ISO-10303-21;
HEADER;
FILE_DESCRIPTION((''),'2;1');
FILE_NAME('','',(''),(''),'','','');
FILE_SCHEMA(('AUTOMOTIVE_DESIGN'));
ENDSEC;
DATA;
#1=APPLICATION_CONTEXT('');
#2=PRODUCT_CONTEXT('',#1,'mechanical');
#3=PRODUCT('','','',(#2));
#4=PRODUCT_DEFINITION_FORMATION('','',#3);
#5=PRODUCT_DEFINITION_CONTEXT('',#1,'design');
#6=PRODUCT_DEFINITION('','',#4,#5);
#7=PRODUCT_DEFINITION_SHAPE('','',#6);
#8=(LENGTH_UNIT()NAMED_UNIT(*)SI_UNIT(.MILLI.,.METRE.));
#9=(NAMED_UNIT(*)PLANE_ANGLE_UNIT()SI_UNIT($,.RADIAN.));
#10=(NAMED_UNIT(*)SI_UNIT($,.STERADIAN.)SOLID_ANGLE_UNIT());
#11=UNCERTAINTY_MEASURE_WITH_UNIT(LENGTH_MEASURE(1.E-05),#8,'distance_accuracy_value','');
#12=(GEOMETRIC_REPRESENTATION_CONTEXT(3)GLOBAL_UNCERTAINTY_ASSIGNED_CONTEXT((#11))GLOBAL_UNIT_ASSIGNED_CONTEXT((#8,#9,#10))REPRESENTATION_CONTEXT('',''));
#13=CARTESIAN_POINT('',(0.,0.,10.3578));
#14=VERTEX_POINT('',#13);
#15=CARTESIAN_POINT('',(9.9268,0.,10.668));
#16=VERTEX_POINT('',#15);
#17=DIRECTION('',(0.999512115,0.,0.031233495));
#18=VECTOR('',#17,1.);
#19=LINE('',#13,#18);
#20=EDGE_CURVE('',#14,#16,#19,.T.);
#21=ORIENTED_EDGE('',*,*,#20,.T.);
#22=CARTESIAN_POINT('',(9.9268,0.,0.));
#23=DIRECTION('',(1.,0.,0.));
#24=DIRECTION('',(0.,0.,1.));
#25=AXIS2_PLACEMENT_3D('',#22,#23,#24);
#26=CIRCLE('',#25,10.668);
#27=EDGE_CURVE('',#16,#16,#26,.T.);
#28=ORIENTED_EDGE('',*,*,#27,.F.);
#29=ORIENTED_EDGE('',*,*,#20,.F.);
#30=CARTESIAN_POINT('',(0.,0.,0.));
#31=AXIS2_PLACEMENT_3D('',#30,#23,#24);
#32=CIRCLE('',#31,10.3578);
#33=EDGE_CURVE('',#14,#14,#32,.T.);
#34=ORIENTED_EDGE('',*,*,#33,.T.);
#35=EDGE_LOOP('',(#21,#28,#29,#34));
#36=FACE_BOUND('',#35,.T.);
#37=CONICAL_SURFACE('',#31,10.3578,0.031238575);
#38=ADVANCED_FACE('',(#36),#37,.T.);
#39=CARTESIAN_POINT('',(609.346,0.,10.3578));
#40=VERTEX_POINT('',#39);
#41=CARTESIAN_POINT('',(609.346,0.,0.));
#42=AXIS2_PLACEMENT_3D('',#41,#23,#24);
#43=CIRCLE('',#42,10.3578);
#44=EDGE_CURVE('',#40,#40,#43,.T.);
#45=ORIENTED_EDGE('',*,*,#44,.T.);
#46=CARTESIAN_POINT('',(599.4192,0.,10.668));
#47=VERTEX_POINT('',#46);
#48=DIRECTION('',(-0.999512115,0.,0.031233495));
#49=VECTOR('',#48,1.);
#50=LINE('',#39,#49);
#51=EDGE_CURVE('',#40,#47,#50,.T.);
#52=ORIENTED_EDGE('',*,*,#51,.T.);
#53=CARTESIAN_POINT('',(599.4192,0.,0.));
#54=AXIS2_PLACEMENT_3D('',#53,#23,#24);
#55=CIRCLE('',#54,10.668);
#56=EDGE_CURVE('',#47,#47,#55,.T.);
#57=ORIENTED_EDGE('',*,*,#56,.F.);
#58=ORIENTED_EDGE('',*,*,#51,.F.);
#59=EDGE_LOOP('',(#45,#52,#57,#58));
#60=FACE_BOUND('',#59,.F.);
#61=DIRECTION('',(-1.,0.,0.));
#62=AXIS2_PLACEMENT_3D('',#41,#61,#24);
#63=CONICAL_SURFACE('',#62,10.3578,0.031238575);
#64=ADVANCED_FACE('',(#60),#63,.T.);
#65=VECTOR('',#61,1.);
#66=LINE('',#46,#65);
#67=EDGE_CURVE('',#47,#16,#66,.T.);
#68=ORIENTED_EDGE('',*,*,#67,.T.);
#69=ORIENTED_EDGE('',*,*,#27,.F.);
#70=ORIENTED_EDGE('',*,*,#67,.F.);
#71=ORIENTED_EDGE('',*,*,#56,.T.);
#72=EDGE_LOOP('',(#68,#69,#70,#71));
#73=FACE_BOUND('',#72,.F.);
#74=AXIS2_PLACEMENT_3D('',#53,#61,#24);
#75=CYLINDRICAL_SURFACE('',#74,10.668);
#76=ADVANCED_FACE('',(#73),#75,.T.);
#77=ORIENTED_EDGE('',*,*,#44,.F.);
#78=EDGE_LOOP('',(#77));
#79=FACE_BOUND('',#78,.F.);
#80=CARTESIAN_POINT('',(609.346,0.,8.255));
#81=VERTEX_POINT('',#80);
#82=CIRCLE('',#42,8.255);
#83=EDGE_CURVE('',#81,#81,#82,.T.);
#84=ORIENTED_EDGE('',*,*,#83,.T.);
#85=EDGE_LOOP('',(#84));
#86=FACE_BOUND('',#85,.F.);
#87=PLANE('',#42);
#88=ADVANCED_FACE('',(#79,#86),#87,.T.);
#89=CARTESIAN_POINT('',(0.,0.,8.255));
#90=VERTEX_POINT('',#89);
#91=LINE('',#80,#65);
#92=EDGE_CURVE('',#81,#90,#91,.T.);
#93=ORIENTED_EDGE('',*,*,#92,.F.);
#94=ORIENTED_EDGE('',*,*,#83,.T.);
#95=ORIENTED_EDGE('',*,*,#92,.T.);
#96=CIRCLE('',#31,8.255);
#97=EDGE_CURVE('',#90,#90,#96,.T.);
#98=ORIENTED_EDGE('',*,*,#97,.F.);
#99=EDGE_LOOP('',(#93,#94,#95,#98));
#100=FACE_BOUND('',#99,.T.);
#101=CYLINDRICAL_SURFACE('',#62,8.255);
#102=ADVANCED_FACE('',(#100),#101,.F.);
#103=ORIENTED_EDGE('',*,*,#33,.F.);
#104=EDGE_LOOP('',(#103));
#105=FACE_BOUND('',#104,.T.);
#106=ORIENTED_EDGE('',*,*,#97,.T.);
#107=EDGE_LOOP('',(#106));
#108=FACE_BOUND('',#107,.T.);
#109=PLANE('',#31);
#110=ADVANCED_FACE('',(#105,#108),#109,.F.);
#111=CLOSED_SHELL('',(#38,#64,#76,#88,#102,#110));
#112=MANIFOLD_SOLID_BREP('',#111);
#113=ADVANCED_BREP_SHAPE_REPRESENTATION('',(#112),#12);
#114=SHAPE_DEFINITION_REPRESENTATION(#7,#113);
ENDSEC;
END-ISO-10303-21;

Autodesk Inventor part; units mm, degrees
ref_plane "YZ Plane" through (0, 0, 0) normal (1, 0, 0) x (0, 1, 0)
ref_plane "XZ Plane" through (0, 0, 0) normal (0, 1, 0) x (-1, 0, 0)
ref_plane "XY Plane" through (0, 0, 0) normal (0, 0, 1) x (1, 0, 0)
sketch "Sketch1" plane through (0, 0, 0) normal (0, 1, 0) x (-1, 0, 0)
  line L0 (0, 0) -> (-609.346, 0)
  line L1 (-609.346, 0) -> (-609.346, 8.255) construction
  line L2 (-609.346, 8.255) -> (-609.346, 10.3578)
  line L3 (-609.346, 10.3578) -> (-599.4192, 10.668)
  line L4 (-599.4192, 10.668) -> (-9.9268, 10.668)
  line L5 (-304.673, 0) -> (-304.673, 10.668) construction
  line L6 (-609.346, 8.255) -> (0, 8.255)
  line L7 (0, 0) -> (0, 8.255) construction
  line L8 (0, 8.255) -> (0, 10.3578)
  line L9 (0, 10.3578) -> (-9.9268, 10.668)
  line L10 (-595.79, 10.7814) -> (-595.79, 0) construction
  line L11 (-13.556, 10.7814) -> (-13.556, 0) construction
  line L12 (-599.4192, 10.668) -> (-595.79, 10.7814) construction
  line L13 (-599.4192, 10.668) -> (-599.4192, 0) construction
  line L14 (-9.9268, 10.668) -> (-13.556, 10.7814) construction
  line L15 (-9.9268, 10.668) -> (-9.9268, 0) construction
  dimension "d0" = 21.336
  dimension "d1" = 1.79
  dimension "d2" = 16.51
  dimension "d3" = 609.346
  dimension "d4" = 13.556
  dimension "d5" = 21.5628
revolve "Revolution1" add sketch "Sketch1" angle 360 about axis through (0, 0, 0) along (1, 0, 0)
thread "Thread1" size "1/2" designation "1/2 - 14 NPT" standard "NPT" full length
thread "Thread2" size "1/2" designation "1/2 - 14 NPT" standard "NPT" full length
equation "\"d0\" = OD"
equation "\"d2\" = ID"
equation "\"d3\" = L"
equation "\"d4\" = L2"
equation "\"d5\" = D2"
equation "\"OD\" = 21.336"
equation "\"t\" = 2.413"
equation "\"L\" = PL"
equation "\"L4\" = 19.8501"
equation "\"ID\" = 16.51"
equation "\"PL\" = 609.346"
equation "\"D2\" = 21.56282"
equation "\"L2\" = 13.55598"
equation "\"Size_Designation\" = 1.2345"
equation "\"PLmin\" = 2 * L2"
properties material "Steel, Wrought"
